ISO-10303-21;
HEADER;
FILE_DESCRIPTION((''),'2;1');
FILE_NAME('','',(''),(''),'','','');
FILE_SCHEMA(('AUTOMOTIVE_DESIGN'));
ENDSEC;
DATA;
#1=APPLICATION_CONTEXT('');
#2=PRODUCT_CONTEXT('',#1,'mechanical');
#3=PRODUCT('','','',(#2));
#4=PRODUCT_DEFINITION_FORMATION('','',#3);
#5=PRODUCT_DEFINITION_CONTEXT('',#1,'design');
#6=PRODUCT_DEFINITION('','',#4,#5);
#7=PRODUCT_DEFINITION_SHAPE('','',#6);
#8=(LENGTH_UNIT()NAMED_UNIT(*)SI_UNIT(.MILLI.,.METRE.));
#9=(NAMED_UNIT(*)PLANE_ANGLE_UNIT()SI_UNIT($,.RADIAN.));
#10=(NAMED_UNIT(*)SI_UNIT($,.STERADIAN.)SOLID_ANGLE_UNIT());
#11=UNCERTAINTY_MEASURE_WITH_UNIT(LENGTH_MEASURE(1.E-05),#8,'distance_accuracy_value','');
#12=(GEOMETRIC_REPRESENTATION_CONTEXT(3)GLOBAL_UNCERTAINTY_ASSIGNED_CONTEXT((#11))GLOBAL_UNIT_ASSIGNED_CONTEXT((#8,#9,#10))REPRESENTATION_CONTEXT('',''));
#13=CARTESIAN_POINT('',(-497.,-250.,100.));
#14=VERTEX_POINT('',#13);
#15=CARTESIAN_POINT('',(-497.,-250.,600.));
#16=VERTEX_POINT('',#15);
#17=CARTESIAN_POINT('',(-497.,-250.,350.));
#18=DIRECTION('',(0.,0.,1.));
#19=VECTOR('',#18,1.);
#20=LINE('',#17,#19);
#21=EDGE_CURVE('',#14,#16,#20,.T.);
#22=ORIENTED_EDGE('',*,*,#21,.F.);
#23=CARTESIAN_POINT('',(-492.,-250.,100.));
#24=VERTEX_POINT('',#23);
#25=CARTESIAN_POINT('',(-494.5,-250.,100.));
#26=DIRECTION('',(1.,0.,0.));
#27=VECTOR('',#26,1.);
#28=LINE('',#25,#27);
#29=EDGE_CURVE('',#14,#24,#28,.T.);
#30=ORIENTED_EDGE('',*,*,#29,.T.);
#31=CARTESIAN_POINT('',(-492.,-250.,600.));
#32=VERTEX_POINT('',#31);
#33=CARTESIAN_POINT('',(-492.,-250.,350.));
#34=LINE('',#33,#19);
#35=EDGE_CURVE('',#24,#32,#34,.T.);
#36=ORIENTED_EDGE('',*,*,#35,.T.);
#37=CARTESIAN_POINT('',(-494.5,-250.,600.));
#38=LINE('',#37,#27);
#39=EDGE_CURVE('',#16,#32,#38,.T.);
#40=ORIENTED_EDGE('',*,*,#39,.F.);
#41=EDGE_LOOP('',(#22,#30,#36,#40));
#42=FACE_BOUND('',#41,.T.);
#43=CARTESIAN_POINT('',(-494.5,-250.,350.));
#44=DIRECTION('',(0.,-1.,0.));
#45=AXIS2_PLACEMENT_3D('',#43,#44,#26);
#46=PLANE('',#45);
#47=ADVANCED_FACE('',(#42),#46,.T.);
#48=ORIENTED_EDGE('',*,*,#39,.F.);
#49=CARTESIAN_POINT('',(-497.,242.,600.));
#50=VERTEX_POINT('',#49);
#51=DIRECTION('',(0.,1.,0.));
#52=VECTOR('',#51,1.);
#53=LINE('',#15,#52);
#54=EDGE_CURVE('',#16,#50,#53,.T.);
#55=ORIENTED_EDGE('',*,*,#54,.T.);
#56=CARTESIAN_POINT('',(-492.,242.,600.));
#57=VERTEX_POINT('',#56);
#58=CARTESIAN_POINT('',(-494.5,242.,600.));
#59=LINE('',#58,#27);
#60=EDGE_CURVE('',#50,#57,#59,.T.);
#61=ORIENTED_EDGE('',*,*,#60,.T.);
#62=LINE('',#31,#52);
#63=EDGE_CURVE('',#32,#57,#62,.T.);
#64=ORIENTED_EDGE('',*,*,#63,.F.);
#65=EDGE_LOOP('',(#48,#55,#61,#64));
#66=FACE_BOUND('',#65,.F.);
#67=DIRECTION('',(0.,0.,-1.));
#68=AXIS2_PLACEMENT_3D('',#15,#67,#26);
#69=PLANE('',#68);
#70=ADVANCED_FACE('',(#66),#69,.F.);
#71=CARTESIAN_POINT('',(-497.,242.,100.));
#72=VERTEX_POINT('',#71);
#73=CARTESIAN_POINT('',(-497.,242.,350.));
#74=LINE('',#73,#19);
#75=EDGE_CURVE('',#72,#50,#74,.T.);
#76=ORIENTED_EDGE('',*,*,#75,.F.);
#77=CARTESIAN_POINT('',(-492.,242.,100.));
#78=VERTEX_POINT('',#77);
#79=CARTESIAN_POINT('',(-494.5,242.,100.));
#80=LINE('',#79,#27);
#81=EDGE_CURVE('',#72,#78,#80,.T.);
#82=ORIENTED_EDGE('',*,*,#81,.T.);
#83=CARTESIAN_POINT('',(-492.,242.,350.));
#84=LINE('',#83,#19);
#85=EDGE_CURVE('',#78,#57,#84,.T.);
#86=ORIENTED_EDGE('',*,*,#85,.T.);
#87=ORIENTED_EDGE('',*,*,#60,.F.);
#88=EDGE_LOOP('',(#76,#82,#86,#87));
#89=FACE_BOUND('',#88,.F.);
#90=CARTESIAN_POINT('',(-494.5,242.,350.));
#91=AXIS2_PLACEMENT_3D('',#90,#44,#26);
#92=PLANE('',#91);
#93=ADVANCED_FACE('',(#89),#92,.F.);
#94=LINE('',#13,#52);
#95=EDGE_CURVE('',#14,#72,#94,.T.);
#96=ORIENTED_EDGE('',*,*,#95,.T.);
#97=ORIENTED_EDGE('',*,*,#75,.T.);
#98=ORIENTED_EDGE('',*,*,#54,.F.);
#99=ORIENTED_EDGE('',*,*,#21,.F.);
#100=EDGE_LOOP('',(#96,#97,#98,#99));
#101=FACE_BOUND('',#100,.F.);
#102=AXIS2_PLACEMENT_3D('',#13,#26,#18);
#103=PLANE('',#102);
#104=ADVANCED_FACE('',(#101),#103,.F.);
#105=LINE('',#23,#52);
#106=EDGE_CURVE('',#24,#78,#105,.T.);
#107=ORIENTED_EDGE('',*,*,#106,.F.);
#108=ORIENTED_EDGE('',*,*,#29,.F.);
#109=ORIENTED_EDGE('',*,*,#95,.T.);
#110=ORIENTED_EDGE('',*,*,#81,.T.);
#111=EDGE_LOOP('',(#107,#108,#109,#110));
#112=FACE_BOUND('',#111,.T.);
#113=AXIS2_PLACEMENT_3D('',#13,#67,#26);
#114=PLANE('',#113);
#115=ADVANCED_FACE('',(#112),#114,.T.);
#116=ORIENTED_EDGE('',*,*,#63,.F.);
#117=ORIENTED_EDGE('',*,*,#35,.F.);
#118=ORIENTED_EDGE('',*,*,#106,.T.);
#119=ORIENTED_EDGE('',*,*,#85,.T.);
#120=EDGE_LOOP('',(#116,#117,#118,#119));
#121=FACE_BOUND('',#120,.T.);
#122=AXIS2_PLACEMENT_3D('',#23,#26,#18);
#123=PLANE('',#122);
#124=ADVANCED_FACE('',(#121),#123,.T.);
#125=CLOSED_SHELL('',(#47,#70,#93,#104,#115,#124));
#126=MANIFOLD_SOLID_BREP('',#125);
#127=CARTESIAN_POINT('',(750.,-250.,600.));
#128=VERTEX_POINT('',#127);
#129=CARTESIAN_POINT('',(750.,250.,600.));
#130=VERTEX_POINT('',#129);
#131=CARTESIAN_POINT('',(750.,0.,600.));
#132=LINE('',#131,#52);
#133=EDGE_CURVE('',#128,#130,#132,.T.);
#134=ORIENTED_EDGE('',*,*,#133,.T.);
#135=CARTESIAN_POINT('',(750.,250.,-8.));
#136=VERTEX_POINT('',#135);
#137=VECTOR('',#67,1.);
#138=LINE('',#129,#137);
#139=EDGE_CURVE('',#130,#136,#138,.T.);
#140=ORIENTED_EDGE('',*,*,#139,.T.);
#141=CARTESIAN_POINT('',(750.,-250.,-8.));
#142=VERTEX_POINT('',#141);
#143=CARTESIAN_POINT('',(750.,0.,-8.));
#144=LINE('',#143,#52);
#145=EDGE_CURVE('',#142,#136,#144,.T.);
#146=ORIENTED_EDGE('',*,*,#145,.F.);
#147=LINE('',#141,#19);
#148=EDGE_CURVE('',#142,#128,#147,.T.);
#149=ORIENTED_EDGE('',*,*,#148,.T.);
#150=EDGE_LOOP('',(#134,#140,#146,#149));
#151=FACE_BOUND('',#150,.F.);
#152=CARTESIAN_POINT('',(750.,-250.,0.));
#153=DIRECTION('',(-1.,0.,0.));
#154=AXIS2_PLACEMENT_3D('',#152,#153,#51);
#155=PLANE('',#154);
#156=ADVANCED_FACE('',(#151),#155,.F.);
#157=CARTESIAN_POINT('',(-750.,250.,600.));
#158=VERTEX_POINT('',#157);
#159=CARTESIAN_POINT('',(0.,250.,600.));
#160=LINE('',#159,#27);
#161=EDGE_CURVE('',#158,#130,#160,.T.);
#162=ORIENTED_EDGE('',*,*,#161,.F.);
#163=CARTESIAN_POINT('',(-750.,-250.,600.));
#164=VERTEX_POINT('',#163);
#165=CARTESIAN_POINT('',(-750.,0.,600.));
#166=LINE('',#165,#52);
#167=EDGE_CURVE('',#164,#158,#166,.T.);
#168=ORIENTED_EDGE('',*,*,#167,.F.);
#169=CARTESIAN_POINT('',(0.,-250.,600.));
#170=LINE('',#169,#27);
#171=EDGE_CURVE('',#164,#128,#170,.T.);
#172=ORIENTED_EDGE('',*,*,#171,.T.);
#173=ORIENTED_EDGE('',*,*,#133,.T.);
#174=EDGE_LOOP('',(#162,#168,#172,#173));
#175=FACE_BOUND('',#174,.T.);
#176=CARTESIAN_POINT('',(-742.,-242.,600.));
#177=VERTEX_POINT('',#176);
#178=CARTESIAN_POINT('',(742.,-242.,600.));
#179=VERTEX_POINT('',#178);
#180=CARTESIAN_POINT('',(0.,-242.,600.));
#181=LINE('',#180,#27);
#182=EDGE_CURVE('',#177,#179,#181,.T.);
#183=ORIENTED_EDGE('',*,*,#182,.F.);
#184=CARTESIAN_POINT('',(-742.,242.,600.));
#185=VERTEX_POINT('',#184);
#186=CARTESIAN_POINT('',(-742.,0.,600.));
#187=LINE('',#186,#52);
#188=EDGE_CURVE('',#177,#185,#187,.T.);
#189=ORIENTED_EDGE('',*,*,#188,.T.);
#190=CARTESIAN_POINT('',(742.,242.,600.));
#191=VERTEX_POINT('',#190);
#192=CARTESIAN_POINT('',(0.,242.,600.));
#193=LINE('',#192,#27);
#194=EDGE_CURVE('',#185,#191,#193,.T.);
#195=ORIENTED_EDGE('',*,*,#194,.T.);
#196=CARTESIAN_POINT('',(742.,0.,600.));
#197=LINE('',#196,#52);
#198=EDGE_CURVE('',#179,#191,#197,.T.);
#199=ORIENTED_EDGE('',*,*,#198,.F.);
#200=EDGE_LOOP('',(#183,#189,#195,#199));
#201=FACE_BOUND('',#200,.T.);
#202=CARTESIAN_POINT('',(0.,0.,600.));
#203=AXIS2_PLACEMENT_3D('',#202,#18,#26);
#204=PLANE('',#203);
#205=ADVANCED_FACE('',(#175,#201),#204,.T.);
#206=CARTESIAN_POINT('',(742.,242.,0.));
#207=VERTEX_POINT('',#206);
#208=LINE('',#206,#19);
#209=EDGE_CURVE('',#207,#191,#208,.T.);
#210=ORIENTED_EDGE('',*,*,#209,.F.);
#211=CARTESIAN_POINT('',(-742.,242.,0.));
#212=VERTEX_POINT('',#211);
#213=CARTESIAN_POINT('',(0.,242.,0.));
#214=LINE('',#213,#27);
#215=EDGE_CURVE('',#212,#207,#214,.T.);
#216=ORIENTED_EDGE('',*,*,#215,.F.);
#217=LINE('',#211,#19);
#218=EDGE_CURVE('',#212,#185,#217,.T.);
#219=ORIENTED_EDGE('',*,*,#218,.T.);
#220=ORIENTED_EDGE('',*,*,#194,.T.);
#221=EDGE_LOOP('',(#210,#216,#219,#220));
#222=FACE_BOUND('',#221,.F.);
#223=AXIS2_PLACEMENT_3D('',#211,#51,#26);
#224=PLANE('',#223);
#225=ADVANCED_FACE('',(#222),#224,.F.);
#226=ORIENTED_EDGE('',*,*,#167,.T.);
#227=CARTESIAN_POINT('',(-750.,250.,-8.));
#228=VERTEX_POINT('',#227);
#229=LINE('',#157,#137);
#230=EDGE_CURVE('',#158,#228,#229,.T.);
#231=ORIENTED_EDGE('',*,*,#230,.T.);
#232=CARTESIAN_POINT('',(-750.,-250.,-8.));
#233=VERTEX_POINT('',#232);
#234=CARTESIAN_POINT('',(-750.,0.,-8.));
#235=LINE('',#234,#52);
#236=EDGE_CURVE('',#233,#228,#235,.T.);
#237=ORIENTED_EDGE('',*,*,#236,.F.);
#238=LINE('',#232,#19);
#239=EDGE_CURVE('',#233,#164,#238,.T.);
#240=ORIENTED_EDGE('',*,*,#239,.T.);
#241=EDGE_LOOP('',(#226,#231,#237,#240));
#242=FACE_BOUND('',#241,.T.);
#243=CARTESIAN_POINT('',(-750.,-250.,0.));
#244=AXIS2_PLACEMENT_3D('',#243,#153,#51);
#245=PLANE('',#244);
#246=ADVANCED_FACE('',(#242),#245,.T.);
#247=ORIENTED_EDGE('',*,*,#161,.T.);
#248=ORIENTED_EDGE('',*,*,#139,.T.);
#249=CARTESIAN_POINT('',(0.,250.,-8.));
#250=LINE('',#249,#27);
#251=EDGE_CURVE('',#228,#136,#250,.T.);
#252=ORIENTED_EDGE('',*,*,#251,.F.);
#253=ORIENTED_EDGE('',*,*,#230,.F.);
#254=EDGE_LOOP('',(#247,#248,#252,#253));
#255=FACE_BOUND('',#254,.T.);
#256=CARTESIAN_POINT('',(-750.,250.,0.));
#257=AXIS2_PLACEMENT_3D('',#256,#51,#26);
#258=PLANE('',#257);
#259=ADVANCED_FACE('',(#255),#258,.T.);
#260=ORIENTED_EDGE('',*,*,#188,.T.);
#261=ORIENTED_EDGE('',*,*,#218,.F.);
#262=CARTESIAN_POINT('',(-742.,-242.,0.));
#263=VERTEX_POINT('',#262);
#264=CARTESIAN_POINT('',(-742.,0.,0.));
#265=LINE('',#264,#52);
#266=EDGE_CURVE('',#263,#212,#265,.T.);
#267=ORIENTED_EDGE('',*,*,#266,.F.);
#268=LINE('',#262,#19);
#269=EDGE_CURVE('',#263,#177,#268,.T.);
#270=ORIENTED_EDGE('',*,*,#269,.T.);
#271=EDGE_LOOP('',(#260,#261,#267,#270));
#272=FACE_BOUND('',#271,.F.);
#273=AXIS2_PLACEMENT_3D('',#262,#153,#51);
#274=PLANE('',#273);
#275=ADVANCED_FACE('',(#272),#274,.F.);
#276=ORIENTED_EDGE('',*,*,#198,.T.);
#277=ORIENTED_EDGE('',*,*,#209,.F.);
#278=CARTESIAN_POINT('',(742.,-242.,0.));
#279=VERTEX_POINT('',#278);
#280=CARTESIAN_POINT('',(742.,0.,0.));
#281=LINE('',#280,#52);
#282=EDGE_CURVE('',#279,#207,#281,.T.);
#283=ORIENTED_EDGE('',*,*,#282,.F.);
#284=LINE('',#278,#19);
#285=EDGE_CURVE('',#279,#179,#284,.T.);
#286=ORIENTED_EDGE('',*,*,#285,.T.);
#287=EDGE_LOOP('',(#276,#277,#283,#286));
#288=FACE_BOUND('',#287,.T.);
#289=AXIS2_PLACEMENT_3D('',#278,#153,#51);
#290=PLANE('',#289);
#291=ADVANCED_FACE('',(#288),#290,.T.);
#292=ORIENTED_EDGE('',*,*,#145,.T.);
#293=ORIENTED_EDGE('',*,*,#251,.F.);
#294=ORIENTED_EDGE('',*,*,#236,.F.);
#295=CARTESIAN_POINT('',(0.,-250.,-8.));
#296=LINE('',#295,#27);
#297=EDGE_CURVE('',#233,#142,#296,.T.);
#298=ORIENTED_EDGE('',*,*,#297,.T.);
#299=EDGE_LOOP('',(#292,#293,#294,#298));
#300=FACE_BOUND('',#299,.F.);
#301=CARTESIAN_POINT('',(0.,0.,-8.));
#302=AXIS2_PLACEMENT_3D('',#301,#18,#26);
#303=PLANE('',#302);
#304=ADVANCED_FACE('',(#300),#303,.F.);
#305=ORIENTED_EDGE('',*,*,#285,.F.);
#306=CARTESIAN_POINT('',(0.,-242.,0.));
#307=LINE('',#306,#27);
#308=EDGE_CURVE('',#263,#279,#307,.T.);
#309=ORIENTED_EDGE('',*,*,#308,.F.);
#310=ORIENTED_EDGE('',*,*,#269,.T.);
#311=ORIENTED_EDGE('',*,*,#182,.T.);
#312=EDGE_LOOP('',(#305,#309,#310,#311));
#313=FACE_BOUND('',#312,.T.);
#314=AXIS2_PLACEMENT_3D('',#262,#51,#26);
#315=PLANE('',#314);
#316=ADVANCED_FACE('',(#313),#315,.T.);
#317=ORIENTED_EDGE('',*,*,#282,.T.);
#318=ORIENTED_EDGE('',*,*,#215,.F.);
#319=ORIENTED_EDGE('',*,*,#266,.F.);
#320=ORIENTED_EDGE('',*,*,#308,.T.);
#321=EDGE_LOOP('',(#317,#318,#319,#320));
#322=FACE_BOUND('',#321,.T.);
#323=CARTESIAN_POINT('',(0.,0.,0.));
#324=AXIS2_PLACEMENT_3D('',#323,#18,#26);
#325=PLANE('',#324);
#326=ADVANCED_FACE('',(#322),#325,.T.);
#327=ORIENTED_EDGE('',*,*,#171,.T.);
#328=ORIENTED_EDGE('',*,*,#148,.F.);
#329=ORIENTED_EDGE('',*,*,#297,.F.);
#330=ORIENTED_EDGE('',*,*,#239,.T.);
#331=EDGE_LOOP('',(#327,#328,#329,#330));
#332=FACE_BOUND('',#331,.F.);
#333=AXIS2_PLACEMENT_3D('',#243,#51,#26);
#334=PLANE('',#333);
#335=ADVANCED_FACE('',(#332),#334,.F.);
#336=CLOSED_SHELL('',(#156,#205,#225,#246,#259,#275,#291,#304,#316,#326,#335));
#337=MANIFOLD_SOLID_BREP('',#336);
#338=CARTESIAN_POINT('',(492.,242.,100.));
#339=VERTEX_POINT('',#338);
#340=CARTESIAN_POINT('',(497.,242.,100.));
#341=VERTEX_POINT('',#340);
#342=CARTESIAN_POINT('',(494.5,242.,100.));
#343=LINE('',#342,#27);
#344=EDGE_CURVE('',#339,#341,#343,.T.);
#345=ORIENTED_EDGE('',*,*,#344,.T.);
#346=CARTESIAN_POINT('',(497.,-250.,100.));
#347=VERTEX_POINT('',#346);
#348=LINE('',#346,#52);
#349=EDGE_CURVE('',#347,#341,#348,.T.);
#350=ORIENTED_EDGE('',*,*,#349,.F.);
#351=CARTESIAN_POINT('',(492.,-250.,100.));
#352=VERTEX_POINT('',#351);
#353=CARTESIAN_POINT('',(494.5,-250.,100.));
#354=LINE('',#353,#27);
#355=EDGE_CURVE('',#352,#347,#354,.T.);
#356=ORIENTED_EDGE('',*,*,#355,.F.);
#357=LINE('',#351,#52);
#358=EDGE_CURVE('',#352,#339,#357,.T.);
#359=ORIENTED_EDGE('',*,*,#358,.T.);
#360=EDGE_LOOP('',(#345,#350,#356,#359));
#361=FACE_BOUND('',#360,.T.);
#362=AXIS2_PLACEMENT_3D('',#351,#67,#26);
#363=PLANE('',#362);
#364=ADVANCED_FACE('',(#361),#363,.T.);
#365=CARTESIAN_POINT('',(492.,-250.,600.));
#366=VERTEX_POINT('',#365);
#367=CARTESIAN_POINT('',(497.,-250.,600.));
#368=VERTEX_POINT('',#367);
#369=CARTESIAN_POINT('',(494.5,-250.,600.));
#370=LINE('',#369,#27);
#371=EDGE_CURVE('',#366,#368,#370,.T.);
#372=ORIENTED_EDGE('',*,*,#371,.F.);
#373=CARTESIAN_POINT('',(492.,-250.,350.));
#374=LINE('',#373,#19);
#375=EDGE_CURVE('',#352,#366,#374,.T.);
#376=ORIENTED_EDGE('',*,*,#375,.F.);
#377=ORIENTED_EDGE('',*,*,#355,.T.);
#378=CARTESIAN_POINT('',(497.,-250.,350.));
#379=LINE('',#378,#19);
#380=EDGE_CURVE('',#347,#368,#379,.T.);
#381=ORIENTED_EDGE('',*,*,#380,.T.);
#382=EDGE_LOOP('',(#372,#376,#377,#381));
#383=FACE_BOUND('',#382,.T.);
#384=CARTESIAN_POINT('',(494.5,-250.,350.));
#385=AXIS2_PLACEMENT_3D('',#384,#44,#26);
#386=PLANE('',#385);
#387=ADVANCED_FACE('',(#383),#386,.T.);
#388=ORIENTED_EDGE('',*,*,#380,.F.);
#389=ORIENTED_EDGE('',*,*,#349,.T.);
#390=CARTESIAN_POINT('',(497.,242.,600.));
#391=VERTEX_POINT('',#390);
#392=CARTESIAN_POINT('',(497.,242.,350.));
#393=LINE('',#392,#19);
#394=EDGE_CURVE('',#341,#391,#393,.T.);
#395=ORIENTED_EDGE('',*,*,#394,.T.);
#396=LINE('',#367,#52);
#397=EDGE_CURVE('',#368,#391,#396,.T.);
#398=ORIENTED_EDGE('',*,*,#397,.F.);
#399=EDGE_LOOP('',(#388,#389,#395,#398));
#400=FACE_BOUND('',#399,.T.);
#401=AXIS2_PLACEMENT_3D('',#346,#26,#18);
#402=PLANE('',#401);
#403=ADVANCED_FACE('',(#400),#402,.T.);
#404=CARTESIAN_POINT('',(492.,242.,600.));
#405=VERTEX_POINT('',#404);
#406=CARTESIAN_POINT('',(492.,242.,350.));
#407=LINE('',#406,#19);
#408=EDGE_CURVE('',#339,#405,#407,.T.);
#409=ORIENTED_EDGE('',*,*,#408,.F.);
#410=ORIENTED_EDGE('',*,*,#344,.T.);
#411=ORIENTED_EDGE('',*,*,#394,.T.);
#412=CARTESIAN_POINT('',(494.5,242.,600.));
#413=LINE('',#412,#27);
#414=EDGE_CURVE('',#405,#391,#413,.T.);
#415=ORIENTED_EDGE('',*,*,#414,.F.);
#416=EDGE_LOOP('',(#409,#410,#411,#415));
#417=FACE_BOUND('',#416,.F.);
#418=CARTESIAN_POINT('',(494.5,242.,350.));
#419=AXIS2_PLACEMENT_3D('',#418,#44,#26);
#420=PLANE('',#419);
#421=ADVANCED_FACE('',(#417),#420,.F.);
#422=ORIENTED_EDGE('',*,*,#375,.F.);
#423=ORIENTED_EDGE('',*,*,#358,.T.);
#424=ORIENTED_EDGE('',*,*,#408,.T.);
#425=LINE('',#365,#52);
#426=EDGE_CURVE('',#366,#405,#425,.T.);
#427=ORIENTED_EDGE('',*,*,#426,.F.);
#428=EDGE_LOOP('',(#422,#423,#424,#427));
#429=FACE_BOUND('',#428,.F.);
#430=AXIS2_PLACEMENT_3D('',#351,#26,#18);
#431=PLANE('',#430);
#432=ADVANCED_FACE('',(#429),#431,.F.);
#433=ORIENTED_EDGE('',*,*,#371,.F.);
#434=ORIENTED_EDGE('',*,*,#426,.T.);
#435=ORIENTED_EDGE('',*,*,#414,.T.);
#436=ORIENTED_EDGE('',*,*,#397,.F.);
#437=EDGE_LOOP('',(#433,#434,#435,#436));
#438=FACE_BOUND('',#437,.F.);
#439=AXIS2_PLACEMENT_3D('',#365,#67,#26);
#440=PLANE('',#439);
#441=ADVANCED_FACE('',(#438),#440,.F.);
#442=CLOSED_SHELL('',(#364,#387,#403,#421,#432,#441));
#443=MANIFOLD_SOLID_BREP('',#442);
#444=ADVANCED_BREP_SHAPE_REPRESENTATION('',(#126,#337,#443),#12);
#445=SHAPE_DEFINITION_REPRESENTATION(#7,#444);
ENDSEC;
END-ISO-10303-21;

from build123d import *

# Parameters (mm, degrees)
F0_W     = 1500
F0_H     = 500
F0_W_2   = 1484
F0_H_2   = 484
F1_DEPTH = 8
F2_DEPTH = 600
F4_W     = 5
F4_H     = 500
F5_DEPTH = 492


with BuildPart() as f1:
    # F0 (on Top) → F1 (new body)
    with BuildSketch(Plane.XY):
        Rectangle(F0_W, F0_H)
        Rectangle(F0_W_2, F0_H_2, mode=Mode.SUBTRACT)
        Rectangle(F0_W_2, F0_H_2)
    extrude(amount=-F1_DEPTH)


with BuildPart() as f2:
    # F0 (on Top) → F2 (new body)
    with BuildSketch(Plane.XY):
        Rectangle(F0_W, F0_H)
        Rectangle(F0_W_2, F0_H_2, mode=Mode.SUBTRACT)
    extrude(amount=F2_DEPTH)


with BuildPart() as f1_1:
    add(f1.part)

    # F3: union F2
    add(f2.part)


with BuildPart() as f5:
    # F4 (on face) → F5 (new body, through all)
    with BuildSketch(Plane.XZ.offset(250)):
        with Locations((-494.5, 350)):
            Rectangle(F4_W, F4_H)
        with Locations((494.5, 350)):
            Rectangle(F4_W, F4_H)
    extrude(amount=-F5_DEPTH)


solid = Compound([f1_1.part, f5.part])
